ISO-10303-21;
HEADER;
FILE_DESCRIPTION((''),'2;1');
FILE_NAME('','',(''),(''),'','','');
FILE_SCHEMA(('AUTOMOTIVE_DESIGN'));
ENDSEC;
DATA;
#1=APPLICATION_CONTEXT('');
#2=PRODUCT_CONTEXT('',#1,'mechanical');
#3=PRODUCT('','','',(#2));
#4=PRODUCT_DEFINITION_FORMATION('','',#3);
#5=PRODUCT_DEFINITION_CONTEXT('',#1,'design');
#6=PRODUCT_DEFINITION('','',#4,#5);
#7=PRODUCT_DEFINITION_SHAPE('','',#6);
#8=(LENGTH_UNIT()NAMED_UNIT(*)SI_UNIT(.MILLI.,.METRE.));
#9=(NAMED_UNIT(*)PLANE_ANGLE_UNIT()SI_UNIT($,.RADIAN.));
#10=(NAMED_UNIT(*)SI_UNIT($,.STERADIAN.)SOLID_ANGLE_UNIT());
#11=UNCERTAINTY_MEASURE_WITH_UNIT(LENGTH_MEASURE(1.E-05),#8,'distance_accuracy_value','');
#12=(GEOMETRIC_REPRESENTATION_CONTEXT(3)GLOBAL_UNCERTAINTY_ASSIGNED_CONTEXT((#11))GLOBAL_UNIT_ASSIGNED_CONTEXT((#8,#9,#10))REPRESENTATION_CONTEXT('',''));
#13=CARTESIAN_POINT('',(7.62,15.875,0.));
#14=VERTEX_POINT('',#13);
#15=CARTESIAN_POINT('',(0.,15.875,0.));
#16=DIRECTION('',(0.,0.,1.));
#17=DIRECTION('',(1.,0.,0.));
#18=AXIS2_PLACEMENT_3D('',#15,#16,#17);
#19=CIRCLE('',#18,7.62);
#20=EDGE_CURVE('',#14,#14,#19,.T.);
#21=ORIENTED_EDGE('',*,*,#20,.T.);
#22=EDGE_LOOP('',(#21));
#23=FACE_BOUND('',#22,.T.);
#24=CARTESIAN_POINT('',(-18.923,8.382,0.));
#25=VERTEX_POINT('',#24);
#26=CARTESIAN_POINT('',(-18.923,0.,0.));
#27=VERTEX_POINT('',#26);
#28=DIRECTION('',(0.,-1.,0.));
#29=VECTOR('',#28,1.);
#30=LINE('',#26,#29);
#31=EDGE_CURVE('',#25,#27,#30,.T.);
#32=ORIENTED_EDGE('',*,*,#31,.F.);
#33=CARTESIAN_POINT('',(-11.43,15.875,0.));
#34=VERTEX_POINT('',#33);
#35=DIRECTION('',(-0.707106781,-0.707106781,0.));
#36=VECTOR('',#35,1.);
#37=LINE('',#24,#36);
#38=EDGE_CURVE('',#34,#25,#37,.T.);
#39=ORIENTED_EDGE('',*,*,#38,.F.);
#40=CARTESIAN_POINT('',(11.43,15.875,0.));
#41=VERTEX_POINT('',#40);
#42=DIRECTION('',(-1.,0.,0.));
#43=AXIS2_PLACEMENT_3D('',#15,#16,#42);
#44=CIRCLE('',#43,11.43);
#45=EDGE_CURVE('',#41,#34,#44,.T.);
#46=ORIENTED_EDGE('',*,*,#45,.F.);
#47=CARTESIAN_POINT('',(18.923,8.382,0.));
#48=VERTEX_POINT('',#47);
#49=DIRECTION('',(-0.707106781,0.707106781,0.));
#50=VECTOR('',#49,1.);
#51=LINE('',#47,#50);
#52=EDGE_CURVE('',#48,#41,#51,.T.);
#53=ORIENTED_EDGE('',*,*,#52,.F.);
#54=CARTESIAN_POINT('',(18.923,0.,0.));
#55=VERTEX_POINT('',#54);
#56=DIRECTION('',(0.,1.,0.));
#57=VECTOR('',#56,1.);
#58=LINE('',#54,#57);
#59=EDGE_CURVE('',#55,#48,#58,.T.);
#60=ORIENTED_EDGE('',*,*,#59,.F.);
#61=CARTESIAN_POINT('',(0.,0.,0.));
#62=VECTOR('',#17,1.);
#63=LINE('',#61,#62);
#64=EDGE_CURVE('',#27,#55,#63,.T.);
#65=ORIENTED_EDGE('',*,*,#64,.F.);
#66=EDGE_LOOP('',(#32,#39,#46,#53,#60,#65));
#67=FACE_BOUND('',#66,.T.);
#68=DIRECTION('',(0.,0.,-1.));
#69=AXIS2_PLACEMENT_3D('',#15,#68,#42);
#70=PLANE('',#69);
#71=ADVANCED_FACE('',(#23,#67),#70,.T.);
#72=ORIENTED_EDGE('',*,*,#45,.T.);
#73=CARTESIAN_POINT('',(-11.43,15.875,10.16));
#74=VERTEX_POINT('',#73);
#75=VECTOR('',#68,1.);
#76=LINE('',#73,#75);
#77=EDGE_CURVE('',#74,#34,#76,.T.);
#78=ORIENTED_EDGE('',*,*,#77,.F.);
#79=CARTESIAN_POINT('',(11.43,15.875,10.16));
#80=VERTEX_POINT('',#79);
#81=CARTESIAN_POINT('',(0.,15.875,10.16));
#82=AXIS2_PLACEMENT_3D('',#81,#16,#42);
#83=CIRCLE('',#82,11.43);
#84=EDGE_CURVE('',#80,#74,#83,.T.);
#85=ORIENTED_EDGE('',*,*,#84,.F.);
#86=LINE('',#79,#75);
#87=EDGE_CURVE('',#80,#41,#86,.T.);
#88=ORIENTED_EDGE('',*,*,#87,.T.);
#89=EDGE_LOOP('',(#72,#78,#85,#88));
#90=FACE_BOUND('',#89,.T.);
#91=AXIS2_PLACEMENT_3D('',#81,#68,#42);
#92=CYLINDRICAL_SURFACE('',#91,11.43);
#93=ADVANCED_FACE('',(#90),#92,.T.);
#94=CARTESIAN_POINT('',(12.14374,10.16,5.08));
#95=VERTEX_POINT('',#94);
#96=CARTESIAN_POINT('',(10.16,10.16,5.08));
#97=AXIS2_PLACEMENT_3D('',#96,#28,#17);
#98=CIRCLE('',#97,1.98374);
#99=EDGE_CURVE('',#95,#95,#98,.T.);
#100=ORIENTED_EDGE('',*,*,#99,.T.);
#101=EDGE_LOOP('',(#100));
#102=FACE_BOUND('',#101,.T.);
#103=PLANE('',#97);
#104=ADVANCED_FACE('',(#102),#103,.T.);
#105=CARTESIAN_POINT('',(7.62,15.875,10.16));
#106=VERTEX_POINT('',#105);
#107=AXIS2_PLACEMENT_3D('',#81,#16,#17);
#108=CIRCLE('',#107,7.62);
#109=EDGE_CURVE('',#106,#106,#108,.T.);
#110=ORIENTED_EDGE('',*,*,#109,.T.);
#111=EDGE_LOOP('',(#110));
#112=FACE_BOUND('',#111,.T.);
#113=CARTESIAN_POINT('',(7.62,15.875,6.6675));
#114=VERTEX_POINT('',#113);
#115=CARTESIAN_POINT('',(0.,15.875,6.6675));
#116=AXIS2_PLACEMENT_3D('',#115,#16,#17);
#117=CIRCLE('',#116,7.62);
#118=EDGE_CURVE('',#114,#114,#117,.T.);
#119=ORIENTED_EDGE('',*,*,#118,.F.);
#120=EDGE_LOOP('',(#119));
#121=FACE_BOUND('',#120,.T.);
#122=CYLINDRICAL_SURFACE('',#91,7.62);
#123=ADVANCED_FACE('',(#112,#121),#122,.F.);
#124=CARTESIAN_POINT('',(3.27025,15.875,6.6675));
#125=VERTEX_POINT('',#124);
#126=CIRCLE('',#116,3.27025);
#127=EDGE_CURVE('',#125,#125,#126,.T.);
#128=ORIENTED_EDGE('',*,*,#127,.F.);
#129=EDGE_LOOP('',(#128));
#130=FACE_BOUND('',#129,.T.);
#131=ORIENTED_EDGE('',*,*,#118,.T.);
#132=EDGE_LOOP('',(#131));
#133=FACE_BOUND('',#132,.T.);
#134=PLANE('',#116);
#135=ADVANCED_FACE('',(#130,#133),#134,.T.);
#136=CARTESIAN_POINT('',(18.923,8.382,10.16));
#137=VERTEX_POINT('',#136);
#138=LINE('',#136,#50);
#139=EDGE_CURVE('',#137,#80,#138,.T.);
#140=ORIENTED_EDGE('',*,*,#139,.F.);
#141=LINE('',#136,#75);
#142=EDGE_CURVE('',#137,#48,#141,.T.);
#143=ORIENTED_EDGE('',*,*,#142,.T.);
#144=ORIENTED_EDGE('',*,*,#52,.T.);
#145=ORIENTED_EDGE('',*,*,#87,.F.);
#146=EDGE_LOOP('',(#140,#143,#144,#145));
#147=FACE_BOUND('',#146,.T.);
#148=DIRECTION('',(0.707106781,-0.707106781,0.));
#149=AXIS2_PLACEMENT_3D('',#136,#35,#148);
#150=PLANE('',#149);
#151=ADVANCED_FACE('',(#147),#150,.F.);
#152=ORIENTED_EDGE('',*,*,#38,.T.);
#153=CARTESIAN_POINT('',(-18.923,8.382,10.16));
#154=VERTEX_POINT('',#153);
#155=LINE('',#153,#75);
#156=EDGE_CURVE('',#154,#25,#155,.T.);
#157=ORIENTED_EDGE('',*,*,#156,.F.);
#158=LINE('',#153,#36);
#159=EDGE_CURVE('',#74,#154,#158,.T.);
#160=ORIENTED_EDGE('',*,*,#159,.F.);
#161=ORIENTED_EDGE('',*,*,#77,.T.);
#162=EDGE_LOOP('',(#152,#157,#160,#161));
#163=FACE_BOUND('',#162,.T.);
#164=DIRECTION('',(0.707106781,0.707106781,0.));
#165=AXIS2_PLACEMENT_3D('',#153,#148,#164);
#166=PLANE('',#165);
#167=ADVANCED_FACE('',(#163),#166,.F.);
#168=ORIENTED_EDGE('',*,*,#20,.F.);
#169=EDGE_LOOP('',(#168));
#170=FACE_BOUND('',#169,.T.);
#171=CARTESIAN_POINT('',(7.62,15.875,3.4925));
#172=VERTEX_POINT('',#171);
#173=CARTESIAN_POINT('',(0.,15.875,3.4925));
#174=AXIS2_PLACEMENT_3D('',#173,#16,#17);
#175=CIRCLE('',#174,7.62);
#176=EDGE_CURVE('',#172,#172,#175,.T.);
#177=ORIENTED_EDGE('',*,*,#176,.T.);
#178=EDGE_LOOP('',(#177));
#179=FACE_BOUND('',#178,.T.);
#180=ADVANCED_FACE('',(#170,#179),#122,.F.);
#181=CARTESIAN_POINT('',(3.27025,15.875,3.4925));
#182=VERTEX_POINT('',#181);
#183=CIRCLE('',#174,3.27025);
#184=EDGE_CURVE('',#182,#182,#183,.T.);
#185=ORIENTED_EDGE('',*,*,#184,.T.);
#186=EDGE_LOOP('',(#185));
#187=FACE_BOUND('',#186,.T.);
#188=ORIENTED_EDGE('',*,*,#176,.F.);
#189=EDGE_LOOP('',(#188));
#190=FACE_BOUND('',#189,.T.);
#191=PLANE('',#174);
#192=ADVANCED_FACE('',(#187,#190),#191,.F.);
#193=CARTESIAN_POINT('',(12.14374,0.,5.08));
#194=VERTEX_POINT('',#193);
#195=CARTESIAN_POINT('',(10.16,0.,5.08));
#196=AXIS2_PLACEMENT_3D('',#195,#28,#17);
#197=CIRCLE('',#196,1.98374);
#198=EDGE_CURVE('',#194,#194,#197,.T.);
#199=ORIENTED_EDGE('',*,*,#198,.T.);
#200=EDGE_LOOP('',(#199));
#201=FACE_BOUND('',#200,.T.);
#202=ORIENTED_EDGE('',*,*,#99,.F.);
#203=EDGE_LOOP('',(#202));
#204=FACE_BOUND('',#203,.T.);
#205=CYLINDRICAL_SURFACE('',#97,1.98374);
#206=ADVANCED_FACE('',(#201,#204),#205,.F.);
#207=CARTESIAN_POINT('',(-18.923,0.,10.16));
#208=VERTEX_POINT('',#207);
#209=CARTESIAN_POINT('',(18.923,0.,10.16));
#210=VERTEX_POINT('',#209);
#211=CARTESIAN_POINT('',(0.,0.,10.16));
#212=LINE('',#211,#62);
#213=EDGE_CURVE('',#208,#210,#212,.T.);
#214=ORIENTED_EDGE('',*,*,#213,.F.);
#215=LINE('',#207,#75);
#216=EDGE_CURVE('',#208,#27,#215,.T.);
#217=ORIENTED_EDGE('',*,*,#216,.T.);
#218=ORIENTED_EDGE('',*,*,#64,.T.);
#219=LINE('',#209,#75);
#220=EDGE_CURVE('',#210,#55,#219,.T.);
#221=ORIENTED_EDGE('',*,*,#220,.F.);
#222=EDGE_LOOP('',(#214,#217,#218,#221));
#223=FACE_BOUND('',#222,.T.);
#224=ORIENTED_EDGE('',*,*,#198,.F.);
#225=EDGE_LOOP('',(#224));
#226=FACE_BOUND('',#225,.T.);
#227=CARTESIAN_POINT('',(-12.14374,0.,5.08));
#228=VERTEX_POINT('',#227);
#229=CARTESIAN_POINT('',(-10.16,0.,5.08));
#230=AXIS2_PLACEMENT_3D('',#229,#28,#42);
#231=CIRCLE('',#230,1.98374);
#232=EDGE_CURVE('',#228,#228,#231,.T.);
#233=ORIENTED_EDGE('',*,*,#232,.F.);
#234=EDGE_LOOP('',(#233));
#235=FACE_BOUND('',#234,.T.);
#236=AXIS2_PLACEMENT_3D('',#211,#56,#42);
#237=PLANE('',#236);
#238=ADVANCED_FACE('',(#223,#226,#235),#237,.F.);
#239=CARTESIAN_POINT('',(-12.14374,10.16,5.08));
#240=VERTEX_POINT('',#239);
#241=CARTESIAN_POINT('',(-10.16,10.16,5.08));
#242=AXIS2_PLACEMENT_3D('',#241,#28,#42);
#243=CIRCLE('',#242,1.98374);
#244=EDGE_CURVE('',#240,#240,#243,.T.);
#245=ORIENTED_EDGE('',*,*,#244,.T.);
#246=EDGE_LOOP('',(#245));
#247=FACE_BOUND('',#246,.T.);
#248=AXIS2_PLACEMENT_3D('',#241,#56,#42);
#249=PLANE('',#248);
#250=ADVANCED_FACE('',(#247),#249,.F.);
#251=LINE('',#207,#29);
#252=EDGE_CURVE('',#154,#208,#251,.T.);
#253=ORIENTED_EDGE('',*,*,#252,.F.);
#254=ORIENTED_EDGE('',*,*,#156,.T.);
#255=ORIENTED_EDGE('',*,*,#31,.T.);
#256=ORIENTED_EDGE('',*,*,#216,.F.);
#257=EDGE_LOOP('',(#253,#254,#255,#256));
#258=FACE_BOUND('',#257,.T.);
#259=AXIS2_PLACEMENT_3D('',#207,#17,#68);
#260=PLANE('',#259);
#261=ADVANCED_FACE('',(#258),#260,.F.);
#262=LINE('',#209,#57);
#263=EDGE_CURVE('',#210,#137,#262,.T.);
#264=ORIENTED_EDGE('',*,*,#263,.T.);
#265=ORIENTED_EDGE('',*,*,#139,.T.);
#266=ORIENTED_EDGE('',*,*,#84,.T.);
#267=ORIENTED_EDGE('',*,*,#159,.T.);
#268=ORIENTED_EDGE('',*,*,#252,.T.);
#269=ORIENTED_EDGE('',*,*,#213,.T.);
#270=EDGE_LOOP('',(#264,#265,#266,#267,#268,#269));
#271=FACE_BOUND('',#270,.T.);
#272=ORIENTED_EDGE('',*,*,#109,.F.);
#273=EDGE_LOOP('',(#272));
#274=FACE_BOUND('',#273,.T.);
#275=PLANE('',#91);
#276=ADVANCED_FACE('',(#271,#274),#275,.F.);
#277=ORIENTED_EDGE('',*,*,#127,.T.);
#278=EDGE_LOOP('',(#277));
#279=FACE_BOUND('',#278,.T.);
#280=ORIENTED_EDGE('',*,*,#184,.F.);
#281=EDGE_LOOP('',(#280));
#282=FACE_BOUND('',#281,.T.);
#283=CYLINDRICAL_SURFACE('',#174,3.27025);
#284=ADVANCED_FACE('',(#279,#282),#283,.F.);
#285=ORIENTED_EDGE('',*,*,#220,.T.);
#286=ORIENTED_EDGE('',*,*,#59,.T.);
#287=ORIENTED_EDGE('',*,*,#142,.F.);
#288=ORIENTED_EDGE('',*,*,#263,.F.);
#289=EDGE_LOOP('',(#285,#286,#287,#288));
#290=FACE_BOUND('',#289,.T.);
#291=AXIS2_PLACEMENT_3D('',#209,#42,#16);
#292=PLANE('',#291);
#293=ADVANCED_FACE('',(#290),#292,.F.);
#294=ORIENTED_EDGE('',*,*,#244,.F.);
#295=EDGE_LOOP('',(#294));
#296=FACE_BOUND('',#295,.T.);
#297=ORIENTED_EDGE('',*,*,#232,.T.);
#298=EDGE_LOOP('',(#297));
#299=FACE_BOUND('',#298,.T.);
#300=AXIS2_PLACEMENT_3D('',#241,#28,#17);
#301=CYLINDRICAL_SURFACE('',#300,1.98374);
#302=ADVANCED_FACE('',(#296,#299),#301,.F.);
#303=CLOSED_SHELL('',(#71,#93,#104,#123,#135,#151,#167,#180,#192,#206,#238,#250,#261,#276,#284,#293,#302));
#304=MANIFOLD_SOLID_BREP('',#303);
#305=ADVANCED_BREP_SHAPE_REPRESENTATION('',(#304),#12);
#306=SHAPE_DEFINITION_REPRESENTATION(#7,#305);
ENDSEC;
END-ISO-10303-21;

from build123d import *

# Parameters (mm, degrees)
SKETCH1_R                = 7.62
BOSS_EXTRUDE1_DEPTH      = 10.16
SKETCH3_R                = 8.7376
SKETCH3_R_2              = 3.27025
BOSS_EXTRUDE2_DEPTH      = 1.5875
BOSS_EXTRUDE2_DEPTH_BACK = 1.5875
SKETCH4_R                = 1.98374
CUT_EXTRUDE1_DEPTH       = 10.16


with BuildPart() as part:
    # Sketch1 → Boss-Extrude1 (new body)
    with BuildSketch(Plane.XY):
        with BuildLine():
            Line((0, 0), (-18.923, 0))
            Line((-18.923, 0), (-18.923, 8.382))
            Line((-18.923, 8.382), (-11.43, 15.875))
            ThreePointArc((-11.43, 15.875), (0, 27.305), (11.43, 15.875))
            Line((11.43, 15.875), (18.923, 8.382))
            Line((18.923, 8.382), (18.923, 0))
            Line((18.923, 0), (0, 0))
        make_face()
        with Locations((0, 15.875)):
            Circle(SKETCH1_R, mode=Mode.SUBTRACT)
    extrude(amount=BOSS_EXTRUDE1_DEPTH)

    # Sketch3 → Boss-Extrude2 (add, two sides)
    with BuildSketch(Plane.XY.offset(5.08)) as boss_extrude2_sk:
        with Locations((0, 15.875)):
            Circle(SKETCH3_R)
        with Locations((0, 15.875)):
            Circle(SKETCH3_R_2, mode=Mode.SUBTRACT)
    extrude(amount=BOSS_EXTRUDE2_DEPTH)
    extrude(boss_extrude2_sk.sketch, amount=-BOSS_EXTRUDE2_DEPTH_BACK)

    # Sketch4 → Cut-Extrude1 (cut)
    with BuildSketch(Plane(origin=(0, 0, 0), x_dir=(-1, 0, 0), z_dir=(0, -1, 0))):
        with Locations((-10.16, -5.08)):
            Circle(SKETCH4_R)
        with Locations((10.16, -5.08)):
            Circle(SKETCH4_R)
    extrude(amount=-CUT_EXTRUDE1_DEPTH, mode=Mode.SUBTRACT)


solid = part.part
